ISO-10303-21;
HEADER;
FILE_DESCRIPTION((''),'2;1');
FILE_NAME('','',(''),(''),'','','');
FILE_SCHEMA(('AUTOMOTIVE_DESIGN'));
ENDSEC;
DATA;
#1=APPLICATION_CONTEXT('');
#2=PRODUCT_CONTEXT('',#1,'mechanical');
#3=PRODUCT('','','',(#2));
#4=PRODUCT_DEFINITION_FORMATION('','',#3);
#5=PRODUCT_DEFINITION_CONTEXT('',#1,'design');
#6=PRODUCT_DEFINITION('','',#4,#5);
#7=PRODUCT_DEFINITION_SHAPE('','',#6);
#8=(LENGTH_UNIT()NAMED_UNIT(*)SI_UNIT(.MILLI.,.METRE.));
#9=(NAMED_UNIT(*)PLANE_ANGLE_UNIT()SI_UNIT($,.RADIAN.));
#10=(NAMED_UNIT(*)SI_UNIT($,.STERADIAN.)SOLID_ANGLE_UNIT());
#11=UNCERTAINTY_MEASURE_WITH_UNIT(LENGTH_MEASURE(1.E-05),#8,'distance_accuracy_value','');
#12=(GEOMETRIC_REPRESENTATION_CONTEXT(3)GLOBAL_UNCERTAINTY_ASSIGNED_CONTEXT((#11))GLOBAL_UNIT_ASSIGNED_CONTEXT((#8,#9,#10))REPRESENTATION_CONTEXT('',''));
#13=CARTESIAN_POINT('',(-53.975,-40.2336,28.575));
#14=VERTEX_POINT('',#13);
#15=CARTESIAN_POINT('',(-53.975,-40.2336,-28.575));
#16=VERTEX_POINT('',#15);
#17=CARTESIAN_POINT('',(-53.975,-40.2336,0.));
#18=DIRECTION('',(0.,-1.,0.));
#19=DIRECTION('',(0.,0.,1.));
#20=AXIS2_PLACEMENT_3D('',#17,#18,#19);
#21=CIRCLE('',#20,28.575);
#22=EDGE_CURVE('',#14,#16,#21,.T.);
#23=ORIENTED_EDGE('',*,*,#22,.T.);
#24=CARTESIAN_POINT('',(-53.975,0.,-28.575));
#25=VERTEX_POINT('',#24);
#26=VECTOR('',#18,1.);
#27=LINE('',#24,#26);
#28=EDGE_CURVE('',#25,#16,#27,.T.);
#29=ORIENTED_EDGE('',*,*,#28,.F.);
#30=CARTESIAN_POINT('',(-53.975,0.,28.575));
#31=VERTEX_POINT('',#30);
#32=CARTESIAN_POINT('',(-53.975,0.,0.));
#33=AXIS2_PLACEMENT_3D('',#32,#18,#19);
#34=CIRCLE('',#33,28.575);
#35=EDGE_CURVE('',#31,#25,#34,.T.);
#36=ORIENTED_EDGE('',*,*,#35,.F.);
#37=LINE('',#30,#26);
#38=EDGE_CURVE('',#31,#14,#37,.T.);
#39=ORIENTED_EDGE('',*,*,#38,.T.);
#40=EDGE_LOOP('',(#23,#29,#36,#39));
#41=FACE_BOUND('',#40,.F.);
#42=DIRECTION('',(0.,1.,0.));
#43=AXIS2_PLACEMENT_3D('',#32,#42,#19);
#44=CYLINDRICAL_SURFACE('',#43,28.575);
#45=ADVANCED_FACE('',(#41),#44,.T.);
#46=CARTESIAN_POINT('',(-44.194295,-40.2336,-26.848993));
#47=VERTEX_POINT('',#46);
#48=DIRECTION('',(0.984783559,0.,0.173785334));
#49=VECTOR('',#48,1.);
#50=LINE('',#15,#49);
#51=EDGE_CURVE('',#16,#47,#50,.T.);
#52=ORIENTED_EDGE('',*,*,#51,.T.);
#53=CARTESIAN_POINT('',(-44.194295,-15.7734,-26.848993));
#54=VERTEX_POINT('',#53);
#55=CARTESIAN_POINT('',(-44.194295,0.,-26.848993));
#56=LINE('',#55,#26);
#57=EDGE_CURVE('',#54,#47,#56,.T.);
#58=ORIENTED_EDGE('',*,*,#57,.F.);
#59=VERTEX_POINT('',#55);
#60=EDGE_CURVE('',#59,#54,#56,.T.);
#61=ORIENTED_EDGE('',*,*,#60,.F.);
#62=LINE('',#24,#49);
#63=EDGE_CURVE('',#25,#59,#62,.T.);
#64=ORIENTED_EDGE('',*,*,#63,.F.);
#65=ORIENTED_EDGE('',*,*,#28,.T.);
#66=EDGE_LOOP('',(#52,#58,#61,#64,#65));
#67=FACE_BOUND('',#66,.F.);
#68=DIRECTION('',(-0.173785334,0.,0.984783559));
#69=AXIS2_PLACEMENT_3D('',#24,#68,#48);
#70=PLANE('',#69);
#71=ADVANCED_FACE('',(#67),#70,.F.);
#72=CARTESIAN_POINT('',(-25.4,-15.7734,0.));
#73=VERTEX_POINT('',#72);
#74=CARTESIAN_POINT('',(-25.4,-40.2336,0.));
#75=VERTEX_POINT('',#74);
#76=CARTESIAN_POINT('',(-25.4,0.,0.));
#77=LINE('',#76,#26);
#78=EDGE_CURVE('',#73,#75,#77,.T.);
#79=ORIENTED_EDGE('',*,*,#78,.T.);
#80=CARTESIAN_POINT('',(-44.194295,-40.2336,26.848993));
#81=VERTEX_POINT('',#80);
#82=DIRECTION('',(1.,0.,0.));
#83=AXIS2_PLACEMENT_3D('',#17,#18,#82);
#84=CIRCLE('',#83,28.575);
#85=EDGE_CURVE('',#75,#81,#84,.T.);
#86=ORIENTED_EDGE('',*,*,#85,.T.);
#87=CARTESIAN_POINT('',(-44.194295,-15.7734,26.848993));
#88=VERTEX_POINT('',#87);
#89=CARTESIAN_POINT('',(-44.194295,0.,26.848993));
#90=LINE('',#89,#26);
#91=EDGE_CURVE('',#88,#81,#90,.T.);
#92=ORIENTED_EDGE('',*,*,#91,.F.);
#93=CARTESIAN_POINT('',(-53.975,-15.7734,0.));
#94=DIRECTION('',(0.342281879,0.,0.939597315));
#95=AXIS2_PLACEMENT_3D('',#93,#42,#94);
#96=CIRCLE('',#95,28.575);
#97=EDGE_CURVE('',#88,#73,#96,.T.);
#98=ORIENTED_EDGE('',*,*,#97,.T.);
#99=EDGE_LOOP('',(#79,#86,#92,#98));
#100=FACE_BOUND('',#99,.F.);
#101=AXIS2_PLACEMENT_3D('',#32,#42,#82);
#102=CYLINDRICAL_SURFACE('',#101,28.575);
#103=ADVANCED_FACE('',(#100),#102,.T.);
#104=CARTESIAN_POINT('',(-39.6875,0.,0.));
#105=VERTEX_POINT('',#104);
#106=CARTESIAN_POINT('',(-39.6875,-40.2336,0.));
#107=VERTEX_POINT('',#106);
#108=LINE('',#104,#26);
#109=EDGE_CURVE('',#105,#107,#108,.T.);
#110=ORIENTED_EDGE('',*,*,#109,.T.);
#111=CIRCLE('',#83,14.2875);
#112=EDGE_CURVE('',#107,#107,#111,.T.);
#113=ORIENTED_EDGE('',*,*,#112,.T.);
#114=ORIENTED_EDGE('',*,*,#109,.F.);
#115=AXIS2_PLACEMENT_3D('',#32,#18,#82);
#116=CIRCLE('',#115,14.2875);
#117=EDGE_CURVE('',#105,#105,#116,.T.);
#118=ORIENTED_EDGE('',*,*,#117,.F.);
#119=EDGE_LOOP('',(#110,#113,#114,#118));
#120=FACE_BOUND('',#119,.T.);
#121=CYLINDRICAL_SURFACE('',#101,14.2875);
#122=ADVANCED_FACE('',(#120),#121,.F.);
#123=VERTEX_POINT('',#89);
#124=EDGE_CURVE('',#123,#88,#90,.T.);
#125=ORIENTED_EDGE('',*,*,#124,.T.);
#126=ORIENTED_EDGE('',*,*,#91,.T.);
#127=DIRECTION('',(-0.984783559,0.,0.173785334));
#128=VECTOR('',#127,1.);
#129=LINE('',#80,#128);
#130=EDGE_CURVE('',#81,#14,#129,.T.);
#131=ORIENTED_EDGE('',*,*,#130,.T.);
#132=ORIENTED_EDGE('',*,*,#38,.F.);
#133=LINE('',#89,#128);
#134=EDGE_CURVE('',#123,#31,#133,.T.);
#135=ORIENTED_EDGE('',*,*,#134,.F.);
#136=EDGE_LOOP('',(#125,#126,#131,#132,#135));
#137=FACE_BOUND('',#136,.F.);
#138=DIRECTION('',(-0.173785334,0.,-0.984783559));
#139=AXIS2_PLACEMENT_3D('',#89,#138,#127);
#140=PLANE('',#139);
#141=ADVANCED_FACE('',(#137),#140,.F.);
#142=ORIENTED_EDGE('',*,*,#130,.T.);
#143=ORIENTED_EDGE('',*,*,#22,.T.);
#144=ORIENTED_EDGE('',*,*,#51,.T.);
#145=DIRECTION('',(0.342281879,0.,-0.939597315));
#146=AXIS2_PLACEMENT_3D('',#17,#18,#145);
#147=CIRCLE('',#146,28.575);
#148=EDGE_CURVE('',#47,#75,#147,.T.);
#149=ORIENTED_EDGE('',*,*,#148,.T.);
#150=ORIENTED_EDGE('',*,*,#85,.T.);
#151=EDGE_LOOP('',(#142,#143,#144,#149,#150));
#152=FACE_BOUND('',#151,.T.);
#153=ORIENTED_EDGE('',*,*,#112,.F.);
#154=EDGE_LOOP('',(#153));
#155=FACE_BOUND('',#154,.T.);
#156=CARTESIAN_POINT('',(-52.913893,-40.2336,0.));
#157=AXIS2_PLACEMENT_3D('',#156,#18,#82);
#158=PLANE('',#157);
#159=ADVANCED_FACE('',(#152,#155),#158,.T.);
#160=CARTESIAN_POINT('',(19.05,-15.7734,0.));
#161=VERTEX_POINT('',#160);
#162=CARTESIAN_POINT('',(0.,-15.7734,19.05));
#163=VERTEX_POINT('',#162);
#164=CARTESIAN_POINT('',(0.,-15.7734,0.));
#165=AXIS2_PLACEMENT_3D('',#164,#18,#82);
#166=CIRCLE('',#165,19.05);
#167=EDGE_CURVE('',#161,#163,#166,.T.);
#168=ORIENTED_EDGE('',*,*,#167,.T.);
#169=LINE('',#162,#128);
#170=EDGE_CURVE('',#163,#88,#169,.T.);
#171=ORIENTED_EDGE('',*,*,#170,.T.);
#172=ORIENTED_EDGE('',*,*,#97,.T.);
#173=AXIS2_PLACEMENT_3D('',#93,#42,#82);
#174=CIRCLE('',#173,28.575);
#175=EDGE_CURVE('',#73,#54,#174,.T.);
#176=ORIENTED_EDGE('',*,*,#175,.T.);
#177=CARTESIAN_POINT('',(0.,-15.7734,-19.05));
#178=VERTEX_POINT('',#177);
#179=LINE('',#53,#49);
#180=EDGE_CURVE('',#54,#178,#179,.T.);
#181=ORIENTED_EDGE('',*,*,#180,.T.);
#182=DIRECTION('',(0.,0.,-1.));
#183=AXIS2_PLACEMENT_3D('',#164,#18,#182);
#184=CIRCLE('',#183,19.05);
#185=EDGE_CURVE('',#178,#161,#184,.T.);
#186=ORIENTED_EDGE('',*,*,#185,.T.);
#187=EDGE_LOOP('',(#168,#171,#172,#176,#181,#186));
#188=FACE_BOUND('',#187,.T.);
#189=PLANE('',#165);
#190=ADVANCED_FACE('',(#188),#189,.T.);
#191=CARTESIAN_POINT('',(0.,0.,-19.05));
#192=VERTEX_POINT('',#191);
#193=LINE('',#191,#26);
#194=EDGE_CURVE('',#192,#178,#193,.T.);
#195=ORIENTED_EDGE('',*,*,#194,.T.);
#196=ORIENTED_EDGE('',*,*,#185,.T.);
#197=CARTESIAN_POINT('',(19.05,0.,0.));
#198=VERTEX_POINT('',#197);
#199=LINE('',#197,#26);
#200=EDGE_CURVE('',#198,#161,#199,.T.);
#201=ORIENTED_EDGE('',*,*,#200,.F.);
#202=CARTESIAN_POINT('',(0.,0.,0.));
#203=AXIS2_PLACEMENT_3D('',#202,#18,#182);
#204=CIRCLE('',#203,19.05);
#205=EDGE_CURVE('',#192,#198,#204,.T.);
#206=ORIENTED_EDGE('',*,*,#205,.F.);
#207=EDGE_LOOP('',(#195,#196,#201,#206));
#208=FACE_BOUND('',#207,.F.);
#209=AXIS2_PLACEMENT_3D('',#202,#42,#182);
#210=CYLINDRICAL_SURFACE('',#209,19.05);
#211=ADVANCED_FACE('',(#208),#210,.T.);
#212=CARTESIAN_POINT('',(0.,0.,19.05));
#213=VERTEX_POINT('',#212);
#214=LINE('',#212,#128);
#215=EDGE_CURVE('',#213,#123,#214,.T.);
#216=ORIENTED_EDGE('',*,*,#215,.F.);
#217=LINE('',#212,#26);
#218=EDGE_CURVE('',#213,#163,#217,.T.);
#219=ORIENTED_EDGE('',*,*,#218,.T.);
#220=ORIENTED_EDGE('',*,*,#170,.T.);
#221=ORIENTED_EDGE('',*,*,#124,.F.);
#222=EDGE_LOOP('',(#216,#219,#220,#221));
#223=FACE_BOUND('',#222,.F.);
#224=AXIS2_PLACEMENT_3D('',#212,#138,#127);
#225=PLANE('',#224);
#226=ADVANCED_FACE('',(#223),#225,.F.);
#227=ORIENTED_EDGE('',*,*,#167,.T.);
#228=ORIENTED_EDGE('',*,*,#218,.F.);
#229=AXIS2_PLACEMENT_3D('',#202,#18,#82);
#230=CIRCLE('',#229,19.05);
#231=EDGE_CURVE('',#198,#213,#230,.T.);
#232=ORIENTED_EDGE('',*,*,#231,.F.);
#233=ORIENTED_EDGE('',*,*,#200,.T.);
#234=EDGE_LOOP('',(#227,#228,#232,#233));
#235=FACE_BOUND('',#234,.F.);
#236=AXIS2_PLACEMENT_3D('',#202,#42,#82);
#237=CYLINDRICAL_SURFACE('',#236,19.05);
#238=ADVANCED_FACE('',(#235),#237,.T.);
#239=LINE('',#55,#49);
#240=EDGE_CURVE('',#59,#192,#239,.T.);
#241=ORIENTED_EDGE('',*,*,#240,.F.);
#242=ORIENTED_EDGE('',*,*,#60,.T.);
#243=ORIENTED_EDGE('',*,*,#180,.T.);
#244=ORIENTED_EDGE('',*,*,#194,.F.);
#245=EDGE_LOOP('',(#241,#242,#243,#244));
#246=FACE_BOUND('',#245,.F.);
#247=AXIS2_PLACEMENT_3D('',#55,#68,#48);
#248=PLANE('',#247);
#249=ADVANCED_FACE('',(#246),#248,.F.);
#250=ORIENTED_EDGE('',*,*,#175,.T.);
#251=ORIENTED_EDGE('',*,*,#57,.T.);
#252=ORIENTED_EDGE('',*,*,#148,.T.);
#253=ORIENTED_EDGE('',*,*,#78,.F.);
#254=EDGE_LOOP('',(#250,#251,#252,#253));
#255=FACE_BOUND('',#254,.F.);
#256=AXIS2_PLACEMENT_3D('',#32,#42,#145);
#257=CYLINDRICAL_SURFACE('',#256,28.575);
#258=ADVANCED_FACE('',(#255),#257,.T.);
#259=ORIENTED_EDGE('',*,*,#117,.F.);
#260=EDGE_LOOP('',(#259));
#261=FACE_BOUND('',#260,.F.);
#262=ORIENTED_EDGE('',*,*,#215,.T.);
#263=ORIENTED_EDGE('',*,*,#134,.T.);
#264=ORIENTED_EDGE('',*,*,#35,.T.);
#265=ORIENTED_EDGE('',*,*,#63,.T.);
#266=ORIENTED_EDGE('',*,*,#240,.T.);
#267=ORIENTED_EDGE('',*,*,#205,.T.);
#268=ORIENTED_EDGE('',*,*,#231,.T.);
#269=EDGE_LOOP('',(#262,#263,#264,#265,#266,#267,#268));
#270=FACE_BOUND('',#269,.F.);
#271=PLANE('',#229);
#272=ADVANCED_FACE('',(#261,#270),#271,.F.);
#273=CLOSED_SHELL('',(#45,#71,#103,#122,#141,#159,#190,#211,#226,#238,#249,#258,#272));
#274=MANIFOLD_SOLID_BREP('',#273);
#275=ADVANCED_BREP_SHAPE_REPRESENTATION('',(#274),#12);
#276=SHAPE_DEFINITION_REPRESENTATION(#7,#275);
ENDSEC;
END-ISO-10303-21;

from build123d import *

# Parameters (mm, degrees)
F0_R     = 14.2875
F1_DEPTH = 40.2336
F2_DEPTH = 15.7734


with BuildPart() as f1:
    # F0 (on Front) → F1 (new body)
    with BuildSketch(Plane.XZ):
        with BuildLine():
            ThreePointArc((-44.194295302, -26.8489932886), (-30.5654478712, -16.3866864902), (-25.4, 0))
            ThreePointArc((-25.4, 0), (-30.5654478712, 16.3866864902), (-44.194295302, 26.8489932886))
            Line((-44.194295302, 26.8489932886), (-53.975, 28.575))
            ThreePointArc((-53.975, 28.575), (-82.55, 0), (-53.975, -28.575))
            Line((-53.975, -28.575), (-44.194295302, -26.8489932886))
        make_face()
        with Locations((-53.975, 0)):
            Circle(F0_R, mode=Mode.SUBTRACT)
    extrude(amount=F1_DEPTH)

    # F0 (on Front) → F2 (join)
    with BuildSketch(Plane.XZ):
        with BuildLine():
            ThreePointArc((0, 19.05), (-13.4703841816, 13.4703841816), (-19.05, 0))
            ThreePointArc((-19.05, 0), (-13.4703841816, -13.4703841816), (0, -19.05))
            ThreePointArc((0, -19.05), (13.4703841816, -13.4703841816), (19.05, 0))
            ThreePointArc((19.05, 0), (13.4703841816, 13.4703841816), (0, 19.05))
        make_face()
        with BuildLine():
            ThreePointArc((-10.16, 0), (0, 10.16), (10.16, 0))
            ThreePointArc((10.16, 0), (0, -10.16), (-10.16, 0))
        make_face(mode=Mode.SUBTRACT)
        with BuildLine():
            Line((-25.4, 0), (-19.05, 0))
            ThreePointArc((-19.05, 0), (-13.4703841816, 13.4703841816), (0, 19.05))
            Line((0, 19.05), (-44.194295302, 26.8489932886))
            ThreePointArc((-44.194295302, 26.8489932886), (-30.5654478712, 16.3866864902), (-25.4, 0))
        make_face()
        with BuildLine():
            ThreePointArc((0, -19.05), (-13.4703841816, -13.4703841816), (-19.05, 0))
            Line((-19.05, 0), (-25.4, 0))
            ThreePointArc((-25.4, 0), (-30.5654478712, -16.3866864902), (-44.194295302, -26.8489932886))
            Line((-44.194295302, -26.8489932886), (0, -19.05))
        make_face()
        with BuildLine():
            ThreePointArc((-10.16, 0), (0, -10.16), (10.16, 0))
            ThreePointArc((10.16, 0), (0, 10.16), (-10.16, 0))
        make_face()
    extrude(amount=F2_DEPTH)


solid = f1.part
